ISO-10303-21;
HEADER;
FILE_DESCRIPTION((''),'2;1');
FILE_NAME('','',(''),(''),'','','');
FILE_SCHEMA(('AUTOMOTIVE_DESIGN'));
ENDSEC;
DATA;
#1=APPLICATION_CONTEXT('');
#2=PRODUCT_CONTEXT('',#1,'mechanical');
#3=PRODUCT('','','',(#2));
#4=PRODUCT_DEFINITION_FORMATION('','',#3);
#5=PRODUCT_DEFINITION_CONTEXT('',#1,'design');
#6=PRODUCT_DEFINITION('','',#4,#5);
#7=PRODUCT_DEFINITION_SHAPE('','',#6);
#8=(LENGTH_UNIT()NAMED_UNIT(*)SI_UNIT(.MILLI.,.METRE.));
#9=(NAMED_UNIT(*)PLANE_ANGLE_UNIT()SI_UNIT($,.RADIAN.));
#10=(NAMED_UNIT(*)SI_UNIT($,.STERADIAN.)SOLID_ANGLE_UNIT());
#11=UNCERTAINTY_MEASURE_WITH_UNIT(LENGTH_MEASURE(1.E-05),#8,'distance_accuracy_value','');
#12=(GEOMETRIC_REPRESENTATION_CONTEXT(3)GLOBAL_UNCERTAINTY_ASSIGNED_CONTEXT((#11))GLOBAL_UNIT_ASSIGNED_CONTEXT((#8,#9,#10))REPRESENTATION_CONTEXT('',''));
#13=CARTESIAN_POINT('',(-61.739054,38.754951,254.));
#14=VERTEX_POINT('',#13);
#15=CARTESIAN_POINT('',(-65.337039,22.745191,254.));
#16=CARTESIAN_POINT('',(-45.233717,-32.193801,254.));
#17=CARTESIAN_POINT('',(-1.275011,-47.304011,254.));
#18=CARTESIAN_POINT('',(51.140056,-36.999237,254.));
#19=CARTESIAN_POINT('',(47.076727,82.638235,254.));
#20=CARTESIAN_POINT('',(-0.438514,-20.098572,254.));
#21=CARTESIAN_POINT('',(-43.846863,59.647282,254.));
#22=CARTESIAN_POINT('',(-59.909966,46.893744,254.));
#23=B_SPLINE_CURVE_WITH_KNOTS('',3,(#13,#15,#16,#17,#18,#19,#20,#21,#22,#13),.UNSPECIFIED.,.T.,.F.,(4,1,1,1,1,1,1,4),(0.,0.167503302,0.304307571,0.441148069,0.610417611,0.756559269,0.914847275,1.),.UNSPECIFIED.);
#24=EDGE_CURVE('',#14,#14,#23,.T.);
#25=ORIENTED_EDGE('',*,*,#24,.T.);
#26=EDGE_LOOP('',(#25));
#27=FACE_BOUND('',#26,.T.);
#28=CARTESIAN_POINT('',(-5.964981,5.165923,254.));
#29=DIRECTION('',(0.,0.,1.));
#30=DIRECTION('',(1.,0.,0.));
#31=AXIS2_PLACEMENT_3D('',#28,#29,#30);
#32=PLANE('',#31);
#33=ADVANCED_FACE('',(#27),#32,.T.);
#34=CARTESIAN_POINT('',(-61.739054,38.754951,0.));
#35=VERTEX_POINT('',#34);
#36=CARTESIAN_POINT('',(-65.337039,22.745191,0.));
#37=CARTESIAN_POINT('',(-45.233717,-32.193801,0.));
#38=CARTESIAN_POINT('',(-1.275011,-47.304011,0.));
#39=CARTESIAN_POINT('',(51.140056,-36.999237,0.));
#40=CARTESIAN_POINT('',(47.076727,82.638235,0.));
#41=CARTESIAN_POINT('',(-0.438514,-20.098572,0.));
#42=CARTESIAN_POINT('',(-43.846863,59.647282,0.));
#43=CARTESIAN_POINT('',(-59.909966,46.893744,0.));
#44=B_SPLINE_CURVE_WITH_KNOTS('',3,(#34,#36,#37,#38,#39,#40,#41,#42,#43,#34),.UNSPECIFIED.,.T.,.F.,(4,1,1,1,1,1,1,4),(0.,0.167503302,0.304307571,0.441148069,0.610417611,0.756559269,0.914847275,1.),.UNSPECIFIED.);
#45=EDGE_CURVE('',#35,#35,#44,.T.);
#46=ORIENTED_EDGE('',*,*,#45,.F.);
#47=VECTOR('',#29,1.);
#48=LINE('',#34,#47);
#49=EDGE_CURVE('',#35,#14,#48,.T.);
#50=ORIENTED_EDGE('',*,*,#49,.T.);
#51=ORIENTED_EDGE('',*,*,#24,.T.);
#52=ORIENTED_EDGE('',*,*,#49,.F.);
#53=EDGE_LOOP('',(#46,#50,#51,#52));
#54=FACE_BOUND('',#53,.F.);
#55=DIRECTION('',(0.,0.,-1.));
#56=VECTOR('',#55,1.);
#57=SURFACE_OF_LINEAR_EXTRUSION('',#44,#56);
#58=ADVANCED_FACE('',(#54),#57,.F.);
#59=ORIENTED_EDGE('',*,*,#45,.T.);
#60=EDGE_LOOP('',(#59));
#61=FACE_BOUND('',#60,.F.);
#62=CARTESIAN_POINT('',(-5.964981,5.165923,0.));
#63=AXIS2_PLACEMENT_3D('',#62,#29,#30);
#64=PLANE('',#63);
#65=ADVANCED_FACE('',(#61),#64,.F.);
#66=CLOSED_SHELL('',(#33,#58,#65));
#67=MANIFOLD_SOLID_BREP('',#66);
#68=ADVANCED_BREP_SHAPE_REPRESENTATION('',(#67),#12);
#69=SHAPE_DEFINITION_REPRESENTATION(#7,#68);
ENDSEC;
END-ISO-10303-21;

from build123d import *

# Parameters (mm, degrees)
F1_DEPTH = 254


with BuildPart() as f1:
    # F0 (on Top) → F1 (new body)
    with BuildSketch(Plane.XY):
        with BuildLine():
            add(Edge.make_bspline(
                [(-61.7390535772, 38.7549512088), (-65.3370386941, 22.7451906399), (-45.2337168154, -32.1938007759), (-1.2750107112, -47.3040108984), (51.1400559828, -36.9992369491), (47.0767265839, 82.6382351553), (-0.4385142017, -20.0985718015), (-43.8468631617, 59.6472817822), (-59.9099658342, 46.893744415), (-61.7390535772, 38.7549512088)],
                knots=[0, 0, 0, 0, 0.1675033015, 0.304307571, 0.4411480688, 0.6104176113, 0.7565592689, 0.9148472754, 1, 1, 1, 1], degree=3))
        make_face()
    extrude(amount=F1_DEPTH)


solid = f1.part
